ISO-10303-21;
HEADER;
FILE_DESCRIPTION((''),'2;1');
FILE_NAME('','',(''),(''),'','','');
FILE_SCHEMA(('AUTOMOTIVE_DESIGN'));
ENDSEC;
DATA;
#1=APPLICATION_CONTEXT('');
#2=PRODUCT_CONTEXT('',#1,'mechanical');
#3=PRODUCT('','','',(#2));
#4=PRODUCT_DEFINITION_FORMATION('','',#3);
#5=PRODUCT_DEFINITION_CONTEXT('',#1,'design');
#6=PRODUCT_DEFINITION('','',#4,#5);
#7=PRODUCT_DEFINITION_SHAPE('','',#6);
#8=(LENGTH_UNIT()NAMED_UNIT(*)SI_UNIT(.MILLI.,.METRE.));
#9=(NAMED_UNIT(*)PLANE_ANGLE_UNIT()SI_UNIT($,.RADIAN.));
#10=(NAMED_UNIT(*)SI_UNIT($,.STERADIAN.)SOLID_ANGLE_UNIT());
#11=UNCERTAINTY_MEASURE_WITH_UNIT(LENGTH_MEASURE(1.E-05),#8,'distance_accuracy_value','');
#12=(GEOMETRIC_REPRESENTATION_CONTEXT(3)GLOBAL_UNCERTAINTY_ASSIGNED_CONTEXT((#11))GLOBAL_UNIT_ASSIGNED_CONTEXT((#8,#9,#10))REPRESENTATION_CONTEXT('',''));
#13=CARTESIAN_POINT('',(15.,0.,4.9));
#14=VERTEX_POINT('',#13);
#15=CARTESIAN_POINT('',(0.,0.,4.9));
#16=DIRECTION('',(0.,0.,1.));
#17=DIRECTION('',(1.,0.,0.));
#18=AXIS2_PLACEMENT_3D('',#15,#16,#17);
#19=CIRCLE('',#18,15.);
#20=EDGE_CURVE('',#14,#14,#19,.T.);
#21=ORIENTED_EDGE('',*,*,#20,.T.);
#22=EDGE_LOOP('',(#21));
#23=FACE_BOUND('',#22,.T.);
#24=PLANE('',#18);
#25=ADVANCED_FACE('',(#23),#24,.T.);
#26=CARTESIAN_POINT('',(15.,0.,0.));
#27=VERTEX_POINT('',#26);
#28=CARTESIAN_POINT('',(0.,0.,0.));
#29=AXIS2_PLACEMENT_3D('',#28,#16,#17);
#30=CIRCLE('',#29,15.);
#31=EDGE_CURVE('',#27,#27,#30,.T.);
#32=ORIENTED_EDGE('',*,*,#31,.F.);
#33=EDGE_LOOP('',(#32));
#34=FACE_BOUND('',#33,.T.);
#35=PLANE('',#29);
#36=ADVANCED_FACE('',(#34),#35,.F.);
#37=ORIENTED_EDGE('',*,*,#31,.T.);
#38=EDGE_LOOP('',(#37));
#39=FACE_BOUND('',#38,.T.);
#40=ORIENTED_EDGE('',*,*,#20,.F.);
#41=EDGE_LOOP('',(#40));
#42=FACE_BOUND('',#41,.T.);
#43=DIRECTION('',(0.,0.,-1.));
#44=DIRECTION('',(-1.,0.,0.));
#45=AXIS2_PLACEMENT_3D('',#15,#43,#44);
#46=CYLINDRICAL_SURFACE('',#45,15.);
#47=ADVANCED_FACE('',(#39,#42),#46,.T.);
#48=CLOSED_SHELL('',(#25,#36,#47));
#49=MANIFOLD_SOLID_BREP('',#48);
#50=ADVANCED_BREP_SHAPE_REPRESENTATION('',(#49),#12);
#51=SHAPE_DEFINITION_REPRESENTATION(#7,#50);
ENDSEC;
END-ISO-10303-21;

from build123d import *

# Parameters (mm, degrees)
ESQUISSE1_R        = 15
BOSS_EXTRU_1_DEPTH = 4.9


with BuildPart() as part:
    # Esquisse1 → Boss.-Extru.1 (new body)
    with BuildSketch(Plane.XY):
        Circle(ESQUISSE1_R)
    extrude(amount=BOSS_EXTRU_1_DEPTH)


solid = part.part
